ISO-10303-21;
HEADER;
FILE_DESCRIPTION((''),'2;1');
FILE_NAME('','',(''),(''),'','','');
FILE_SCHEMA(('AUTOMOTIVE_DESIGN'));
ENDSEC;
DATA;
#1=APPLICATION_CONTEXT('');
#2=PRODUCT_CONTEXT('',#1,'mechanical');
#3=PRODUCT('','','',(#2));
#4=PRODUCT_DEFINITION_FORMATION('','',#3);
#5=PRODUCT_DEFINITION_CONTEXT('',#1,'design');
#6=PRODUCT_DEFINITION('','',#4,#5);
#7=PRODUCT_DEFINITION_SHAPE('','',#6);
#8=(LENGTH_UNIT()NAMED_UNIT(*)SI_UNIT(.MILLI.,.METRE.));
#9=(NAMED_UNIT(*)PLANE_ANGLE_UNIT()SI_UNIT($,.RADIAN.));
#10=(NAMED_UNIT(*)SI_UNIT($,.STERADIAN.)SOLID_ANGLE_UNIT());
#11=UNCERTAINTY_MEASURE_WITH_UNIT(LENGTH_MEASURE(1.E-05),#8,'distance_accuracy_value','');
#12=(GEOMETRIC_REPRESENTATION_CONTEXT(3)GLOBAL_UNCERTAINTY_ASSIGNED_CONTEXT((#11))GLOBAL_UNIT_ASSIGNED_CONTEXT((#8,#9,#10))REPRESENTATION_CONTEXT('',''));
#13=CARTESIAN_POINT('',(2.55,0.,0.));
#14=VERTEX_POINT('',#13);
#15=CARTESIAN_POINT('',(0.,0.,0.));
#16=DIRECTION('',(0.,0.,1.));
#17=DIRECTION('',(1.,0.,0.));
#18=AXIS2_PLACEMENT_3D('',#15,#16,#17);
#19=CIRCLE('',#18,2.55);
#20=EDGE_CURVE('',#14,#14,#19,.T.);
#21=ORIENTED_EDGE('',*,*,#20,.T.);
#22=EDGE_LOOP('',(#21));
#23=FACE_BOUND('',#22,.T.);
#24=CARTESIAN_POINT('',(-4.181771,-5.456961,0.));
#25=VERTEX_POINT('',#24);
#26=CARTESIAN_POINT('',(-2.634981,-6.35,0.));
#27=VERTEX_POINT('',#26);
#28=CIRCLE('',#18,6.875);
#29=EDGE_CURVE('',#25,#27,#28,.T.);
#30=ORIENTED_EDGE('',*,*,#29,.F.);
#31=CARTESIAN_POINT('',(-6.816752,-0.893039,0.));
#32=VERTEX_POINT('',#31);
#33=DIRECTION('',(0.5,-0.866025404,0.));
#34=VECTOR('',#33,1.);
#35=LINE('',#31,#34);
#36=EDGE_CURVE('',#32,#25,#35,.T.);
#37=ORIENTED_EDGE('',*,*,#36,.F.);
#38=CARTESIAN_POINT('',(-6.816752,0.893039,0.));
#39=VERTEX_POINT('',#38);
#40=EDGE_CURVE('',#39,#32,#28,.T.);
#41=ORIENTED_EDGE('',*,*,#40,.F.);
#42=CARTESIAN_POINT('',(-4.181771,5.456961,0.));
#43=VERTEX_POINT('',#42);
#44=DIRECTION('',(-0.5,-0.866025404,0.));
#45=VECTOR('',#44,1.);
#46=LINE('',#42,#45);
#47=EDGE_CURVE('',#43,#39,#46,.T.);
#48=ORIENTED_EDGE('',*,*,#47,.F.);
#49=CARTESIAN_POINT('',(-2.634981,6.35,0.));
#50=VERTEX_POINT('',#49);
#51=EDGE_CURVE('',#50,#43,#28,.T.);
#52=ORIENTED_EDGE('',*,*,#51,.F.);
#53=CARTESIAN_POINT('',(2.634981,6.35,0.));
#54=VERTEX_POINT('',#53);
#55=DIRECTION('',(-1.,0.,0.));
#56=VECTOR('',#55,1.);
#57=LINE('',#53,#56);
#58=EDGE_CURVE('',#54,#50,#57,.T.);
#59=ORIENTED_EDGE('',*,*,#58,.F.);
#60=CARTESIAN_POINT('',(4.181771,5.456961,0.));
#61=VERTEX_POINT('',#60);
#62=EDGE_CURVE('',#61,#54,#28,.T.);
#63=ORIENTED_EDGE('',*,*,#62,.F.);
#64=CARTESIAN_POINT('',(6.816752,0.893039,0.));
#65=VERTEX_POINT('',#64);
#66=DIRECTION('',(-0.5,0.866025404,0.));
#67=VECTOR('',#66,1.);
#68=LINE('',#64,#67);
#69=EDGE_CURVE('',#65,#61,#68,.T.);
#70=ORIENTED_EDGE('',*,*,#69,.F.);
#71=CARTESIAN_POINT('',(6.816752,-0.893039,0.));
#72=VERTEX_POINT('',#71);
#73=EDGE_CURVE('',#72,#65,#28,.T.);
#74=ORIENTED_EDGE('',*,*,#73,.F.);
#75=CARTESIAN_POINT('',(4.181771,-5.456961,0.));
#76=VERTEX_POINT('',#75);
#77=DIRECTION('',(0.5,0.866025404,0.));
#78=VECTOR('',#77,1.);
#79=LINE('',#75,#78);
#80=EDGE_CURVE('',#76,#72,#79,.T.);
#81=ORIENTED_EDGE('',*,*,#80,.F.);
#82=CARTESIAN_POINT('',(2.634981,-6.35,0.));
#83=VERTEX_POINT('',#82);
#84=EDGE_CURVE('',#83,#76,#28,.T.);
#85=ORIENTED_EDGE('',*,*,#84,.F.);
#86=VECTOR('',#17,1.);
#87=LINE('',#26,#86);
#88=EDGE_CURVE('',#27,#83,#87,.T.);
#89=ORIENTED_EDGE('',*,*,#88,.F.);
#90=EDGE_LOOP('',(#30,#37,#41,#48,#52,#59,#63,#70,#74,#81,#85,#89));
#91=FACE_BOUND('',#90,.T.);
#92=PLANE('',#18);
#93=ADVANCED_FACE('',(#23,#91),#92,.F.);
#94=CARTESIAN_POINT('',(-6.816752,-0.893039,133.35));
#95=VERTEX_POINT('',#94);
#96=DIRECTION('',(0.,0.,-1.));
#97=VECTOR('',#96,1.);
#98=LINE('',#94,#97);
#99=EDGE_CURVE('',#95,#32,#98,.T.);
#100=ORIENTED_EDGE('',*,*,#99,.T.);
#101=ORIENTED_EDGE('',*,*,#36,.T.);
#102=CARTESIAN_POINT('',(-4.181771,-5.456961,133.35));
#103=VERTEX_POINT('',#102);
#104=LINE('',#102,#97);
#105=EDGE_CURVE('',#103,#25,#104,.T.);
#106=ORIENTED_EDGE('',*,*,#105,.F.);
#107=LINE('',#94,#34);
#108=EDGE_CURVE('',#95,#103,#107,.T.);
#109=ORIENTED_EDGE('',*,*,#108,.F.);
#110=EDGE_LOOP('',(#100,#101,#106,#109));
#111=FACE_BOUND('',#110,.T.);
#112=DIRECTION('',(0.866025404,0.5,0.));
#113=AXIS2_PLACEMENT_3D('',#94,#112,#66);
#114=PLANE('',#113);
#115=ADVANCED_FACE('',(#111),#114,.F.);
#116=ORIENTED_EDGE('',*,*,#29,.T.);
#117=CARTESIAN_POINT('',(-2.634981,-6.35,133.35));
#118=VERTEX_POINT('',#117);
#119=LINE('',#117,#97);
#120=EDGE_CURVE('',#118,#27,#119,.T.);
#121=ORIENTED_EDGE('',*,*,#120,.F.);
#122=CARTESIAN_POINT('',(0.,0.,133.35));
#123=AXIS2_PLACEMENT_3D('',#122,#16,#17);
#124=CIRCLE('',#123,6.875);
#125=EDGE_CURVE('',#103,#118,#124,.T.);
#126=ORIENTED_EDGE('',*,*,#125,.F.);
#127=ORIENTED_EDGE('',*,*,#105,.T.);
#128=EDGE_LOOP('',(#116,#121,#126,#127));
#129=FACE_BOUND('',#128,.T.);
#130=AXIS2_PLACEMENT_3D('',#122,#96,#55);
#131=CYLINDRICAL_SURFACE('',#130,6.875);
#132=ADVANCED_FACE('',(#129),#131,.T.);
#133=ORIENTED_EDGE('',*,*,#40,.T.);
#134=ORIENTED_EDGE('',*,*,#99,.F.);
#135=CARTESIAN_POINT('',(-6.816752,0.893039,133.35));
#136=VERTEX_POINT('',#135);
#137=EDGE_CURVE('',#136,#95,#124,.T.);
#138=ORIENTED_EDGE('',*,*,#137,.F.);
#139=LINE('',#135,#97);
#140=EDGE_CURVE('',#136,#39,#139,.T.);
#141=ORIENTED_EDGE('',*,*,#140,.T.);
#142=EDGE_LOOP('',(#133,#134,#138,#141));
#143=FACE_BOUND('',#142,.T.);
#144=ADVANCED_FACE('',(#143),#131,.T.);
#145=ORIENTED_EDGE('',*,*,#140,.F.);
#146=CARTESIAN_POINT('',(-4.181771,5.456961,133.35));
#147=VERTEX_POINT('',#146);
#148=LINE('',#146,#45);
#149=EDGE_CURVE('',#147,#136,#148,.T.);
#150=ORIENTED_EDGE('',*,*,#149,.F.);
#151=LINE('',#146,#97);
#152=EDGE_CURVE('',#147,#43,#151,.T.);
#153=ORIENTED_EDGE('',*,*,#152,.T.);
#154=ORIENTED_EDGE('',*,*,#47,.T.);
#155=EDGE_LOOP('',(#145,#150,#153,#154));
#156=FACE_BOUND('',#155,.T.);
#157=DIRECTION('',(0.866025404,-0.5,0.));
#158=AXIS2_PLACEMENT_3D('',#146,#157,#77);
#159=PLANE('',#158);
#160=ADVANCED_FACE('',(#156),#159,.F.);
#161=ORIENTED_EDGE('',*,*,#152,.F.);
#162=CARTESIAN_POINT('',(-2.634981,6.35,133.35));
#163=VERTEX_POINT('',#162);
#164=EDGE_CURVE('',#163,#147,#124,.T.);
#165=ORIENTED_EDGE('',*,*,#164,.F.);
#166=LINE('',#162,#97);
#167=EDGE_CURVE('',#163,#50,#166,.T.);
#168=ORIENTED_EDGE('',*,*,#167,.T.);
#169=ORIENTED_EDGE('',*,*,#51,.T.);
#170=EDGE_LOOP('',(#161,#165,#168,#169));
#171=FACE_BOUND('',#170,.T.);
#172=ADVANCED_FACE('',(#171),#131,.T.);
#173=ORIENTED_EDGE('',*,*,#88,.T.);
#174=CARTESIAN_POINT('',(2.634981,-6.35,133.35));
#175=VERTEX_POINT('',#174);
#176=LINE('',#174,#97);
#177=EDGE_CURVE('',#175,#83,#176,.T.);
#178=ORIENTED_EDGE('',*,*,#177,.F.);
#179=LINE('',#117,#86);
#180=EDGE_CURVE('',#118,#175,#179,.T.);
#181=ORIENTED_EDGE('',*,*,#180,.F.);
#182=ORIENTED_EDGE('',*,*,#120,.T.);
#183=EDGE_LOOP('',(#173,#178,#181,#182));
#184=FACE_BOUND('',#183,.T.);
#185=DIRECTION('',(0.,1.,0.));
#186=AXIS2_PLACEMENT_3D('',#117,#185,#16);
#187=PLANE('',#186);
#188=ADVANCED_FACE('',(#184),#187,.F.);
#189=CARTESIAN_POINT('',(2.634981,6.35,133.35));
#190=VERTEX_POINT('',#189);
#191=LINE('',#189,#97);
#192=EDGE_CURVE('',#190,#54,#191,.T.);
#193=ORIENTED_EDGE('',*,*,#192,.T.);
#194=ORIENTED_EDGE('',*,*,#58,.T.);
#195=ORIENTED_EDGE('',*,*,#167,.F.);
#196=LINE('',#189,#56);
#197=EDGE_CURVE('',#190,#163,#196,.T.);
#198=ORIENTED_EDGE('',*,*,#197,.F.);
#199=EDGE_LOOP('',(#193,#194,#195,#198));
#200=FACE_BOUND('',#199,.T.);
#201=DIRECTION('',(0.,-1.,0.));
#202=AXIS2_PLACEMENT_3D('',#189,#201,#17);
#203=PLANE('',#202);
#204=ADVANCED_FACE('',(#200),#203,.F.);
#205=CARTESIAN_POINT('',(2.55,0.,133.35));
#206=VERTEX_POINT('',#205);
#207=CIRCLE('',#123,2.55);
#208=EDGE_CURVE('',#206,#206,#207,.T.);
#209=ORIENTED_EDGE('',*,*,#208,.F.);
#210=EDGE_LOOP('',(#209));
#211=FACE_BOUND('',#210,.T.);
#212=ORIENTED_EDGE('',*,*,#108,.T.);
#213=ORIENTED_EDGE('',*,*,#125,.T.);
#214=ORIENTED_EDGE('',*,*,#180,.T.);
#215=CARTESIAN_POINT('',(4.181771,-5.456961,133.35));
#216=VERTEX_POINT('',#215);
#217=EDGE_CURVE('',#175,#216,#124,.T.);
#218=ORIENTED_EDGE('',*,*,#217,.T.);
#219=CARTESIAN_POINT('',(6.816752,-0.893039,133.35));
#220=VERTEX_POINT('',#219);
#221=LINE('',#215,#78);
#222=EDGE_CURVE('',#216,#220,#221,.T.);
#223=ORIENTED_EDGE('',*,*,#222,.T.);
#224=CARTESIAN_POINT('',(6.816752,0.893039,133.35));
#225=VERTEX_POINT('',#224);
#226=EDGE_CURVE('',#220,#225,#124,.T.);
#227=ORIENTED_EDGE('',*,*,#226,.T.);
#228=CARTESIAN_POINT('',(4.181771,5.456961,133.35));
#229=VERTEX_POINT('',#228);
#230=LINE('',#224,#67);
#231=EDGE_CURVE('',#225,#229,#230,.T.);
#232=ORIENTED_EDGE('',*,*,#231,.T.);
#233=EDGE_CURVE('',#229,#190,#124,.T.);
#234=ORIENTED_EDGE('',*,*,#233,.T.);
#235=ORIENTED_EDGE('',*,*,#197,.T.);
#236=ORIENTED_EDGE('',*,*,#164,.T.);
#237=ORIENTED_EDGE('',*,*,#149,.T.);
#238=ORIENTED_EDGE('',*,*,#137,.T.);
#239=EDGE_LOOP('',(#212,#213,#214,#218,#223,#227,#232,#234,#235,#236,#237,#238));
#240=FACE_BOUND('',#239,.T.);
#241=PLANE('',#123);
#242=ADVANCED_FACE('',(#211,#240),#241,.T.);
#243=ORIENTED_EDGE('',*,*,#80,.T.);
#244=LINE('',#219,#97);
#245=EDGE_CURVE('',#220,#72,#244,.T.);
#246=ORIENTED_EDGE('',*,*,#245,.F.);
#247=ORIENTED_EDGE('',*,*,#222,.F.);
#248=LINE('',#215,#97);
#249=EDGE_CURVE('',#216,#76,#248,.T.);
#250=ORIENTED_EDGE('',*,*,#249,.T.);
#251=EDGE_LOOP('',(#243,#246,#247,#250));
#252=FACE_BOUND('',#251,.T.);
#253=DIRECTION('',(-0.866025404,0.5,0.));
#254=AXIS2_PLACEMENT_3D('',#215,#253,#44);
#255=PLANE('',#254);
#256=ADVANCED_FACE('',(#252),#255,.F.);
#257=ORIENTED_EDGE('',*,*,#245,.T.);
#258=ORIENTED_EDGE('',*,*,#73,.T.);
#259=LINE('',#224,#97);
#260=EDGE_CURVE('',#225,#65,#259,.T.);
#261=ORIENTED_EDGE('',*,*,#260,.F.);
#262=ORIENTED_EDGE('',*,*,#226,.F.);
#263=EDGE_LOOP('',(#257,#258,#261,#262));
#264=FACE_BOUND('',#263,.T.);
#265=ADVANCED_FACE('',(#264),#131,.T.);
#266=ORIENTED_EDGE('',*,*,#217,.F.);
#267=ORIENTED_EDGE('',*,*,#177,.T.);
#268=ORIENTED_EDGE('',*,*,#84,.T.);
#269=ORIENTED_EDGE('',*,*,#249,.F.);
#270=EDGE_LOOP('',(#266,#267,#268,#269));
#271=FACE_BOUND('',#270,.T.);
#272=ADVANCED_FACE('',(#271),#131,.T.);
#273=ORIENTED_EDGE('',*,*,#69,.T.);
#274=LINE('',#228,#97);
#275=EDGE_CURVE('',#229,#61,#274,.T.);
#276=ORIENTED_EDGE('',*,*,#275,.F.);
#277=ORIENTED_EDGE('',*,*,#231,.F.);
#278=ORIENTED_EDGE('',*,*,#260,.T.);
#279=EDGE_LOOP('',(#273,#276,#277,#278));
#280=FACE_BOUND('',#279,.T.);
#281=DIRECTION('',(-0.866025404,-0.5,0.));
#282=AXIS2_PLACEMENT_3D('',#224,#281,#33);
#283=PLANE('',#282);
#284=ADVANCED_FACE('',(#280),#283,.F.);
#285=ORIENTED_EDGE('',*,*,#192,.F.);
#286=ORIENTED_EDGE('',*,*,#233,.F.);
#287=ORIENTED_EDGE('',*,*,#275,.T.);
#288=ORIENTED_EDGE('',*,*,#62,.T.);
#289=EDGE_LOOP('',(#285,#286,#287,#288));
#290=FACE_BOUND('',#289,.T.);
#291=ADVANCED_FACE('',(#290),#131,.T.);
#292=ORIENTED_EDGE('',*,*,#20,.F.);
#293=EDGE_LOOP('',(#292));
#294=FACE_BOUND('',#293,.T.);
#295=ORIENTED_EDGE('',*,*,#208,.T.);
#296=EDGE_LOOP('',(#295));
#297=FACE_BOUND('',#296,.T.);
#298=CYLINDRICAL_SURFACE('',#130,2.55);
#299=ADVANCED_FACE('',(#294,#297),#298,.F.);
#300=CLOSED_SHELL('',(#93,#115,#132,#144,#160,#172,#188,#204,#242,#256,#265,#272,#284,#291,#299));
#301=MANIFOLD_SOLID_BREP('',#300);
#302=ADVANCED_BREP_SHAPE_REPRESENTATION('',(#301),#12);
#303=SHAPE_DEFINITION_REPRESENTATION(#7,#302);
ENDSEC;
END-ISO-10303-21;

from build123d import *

# Parameters (mm, degrees)
SKETCH1_R           = 2.55
BOSS_EXTRUDE1_DEPTH = 133.35


with BuildPart() as part:
    # Sketch1 → Boss-Extrude1 (new body)
    with BuildSketch(Plane.XY):
        with BuildLine():
            Line((2.634981025, 6.35), (-2.634981025, 6.35))
            ThreePointArc((-2.634981025, 6.35), (-3.4375, 5.953924651), (-4.181770802, 5.456960506))
            Line((-4.181770802, 5.456960506), (-6.816751826, 0.893039494))
            ThreePointArc((-6.816751826, 0.893039494), (-6.875, 0), (-6.816751826, -0.893039494))
            Line((-6.816751826, -0.893039494), (-4.181770802, -5.456960506))
            ThreePointArc((-4.181770802, -5.456960506), (-3.4375, -5.953924651), (-2.634981025, -6.35))
            Line((-2.634981025, -6.35), (2.634981025, -6.35))
            ThreePointArc((2.634981025, -6.35), (3.4375, -5.953924651), (4.181770802, -5.456960506))
            Line((4.181770802, -5.456960506), (6.816751826, -0.893039494))
            ThreePointArc((6.816751826, -0.893039494), (6.875, 0), (6.816751826, 0.893039494))
            Line((6.816751826, 0.893039494), (4.181770802, 5.456960506))
            ThreePointArc((4.181770802, 5.456960506), (3.4375, 5.953924651), (2.634981025, 6.35))
        make_face()
        Circle(SKETCH1_R, mode=Mode.SUBTRACT)
    extrude(amount=BOSS_EXTRUDE1_DEPTH)


solid = part.part
